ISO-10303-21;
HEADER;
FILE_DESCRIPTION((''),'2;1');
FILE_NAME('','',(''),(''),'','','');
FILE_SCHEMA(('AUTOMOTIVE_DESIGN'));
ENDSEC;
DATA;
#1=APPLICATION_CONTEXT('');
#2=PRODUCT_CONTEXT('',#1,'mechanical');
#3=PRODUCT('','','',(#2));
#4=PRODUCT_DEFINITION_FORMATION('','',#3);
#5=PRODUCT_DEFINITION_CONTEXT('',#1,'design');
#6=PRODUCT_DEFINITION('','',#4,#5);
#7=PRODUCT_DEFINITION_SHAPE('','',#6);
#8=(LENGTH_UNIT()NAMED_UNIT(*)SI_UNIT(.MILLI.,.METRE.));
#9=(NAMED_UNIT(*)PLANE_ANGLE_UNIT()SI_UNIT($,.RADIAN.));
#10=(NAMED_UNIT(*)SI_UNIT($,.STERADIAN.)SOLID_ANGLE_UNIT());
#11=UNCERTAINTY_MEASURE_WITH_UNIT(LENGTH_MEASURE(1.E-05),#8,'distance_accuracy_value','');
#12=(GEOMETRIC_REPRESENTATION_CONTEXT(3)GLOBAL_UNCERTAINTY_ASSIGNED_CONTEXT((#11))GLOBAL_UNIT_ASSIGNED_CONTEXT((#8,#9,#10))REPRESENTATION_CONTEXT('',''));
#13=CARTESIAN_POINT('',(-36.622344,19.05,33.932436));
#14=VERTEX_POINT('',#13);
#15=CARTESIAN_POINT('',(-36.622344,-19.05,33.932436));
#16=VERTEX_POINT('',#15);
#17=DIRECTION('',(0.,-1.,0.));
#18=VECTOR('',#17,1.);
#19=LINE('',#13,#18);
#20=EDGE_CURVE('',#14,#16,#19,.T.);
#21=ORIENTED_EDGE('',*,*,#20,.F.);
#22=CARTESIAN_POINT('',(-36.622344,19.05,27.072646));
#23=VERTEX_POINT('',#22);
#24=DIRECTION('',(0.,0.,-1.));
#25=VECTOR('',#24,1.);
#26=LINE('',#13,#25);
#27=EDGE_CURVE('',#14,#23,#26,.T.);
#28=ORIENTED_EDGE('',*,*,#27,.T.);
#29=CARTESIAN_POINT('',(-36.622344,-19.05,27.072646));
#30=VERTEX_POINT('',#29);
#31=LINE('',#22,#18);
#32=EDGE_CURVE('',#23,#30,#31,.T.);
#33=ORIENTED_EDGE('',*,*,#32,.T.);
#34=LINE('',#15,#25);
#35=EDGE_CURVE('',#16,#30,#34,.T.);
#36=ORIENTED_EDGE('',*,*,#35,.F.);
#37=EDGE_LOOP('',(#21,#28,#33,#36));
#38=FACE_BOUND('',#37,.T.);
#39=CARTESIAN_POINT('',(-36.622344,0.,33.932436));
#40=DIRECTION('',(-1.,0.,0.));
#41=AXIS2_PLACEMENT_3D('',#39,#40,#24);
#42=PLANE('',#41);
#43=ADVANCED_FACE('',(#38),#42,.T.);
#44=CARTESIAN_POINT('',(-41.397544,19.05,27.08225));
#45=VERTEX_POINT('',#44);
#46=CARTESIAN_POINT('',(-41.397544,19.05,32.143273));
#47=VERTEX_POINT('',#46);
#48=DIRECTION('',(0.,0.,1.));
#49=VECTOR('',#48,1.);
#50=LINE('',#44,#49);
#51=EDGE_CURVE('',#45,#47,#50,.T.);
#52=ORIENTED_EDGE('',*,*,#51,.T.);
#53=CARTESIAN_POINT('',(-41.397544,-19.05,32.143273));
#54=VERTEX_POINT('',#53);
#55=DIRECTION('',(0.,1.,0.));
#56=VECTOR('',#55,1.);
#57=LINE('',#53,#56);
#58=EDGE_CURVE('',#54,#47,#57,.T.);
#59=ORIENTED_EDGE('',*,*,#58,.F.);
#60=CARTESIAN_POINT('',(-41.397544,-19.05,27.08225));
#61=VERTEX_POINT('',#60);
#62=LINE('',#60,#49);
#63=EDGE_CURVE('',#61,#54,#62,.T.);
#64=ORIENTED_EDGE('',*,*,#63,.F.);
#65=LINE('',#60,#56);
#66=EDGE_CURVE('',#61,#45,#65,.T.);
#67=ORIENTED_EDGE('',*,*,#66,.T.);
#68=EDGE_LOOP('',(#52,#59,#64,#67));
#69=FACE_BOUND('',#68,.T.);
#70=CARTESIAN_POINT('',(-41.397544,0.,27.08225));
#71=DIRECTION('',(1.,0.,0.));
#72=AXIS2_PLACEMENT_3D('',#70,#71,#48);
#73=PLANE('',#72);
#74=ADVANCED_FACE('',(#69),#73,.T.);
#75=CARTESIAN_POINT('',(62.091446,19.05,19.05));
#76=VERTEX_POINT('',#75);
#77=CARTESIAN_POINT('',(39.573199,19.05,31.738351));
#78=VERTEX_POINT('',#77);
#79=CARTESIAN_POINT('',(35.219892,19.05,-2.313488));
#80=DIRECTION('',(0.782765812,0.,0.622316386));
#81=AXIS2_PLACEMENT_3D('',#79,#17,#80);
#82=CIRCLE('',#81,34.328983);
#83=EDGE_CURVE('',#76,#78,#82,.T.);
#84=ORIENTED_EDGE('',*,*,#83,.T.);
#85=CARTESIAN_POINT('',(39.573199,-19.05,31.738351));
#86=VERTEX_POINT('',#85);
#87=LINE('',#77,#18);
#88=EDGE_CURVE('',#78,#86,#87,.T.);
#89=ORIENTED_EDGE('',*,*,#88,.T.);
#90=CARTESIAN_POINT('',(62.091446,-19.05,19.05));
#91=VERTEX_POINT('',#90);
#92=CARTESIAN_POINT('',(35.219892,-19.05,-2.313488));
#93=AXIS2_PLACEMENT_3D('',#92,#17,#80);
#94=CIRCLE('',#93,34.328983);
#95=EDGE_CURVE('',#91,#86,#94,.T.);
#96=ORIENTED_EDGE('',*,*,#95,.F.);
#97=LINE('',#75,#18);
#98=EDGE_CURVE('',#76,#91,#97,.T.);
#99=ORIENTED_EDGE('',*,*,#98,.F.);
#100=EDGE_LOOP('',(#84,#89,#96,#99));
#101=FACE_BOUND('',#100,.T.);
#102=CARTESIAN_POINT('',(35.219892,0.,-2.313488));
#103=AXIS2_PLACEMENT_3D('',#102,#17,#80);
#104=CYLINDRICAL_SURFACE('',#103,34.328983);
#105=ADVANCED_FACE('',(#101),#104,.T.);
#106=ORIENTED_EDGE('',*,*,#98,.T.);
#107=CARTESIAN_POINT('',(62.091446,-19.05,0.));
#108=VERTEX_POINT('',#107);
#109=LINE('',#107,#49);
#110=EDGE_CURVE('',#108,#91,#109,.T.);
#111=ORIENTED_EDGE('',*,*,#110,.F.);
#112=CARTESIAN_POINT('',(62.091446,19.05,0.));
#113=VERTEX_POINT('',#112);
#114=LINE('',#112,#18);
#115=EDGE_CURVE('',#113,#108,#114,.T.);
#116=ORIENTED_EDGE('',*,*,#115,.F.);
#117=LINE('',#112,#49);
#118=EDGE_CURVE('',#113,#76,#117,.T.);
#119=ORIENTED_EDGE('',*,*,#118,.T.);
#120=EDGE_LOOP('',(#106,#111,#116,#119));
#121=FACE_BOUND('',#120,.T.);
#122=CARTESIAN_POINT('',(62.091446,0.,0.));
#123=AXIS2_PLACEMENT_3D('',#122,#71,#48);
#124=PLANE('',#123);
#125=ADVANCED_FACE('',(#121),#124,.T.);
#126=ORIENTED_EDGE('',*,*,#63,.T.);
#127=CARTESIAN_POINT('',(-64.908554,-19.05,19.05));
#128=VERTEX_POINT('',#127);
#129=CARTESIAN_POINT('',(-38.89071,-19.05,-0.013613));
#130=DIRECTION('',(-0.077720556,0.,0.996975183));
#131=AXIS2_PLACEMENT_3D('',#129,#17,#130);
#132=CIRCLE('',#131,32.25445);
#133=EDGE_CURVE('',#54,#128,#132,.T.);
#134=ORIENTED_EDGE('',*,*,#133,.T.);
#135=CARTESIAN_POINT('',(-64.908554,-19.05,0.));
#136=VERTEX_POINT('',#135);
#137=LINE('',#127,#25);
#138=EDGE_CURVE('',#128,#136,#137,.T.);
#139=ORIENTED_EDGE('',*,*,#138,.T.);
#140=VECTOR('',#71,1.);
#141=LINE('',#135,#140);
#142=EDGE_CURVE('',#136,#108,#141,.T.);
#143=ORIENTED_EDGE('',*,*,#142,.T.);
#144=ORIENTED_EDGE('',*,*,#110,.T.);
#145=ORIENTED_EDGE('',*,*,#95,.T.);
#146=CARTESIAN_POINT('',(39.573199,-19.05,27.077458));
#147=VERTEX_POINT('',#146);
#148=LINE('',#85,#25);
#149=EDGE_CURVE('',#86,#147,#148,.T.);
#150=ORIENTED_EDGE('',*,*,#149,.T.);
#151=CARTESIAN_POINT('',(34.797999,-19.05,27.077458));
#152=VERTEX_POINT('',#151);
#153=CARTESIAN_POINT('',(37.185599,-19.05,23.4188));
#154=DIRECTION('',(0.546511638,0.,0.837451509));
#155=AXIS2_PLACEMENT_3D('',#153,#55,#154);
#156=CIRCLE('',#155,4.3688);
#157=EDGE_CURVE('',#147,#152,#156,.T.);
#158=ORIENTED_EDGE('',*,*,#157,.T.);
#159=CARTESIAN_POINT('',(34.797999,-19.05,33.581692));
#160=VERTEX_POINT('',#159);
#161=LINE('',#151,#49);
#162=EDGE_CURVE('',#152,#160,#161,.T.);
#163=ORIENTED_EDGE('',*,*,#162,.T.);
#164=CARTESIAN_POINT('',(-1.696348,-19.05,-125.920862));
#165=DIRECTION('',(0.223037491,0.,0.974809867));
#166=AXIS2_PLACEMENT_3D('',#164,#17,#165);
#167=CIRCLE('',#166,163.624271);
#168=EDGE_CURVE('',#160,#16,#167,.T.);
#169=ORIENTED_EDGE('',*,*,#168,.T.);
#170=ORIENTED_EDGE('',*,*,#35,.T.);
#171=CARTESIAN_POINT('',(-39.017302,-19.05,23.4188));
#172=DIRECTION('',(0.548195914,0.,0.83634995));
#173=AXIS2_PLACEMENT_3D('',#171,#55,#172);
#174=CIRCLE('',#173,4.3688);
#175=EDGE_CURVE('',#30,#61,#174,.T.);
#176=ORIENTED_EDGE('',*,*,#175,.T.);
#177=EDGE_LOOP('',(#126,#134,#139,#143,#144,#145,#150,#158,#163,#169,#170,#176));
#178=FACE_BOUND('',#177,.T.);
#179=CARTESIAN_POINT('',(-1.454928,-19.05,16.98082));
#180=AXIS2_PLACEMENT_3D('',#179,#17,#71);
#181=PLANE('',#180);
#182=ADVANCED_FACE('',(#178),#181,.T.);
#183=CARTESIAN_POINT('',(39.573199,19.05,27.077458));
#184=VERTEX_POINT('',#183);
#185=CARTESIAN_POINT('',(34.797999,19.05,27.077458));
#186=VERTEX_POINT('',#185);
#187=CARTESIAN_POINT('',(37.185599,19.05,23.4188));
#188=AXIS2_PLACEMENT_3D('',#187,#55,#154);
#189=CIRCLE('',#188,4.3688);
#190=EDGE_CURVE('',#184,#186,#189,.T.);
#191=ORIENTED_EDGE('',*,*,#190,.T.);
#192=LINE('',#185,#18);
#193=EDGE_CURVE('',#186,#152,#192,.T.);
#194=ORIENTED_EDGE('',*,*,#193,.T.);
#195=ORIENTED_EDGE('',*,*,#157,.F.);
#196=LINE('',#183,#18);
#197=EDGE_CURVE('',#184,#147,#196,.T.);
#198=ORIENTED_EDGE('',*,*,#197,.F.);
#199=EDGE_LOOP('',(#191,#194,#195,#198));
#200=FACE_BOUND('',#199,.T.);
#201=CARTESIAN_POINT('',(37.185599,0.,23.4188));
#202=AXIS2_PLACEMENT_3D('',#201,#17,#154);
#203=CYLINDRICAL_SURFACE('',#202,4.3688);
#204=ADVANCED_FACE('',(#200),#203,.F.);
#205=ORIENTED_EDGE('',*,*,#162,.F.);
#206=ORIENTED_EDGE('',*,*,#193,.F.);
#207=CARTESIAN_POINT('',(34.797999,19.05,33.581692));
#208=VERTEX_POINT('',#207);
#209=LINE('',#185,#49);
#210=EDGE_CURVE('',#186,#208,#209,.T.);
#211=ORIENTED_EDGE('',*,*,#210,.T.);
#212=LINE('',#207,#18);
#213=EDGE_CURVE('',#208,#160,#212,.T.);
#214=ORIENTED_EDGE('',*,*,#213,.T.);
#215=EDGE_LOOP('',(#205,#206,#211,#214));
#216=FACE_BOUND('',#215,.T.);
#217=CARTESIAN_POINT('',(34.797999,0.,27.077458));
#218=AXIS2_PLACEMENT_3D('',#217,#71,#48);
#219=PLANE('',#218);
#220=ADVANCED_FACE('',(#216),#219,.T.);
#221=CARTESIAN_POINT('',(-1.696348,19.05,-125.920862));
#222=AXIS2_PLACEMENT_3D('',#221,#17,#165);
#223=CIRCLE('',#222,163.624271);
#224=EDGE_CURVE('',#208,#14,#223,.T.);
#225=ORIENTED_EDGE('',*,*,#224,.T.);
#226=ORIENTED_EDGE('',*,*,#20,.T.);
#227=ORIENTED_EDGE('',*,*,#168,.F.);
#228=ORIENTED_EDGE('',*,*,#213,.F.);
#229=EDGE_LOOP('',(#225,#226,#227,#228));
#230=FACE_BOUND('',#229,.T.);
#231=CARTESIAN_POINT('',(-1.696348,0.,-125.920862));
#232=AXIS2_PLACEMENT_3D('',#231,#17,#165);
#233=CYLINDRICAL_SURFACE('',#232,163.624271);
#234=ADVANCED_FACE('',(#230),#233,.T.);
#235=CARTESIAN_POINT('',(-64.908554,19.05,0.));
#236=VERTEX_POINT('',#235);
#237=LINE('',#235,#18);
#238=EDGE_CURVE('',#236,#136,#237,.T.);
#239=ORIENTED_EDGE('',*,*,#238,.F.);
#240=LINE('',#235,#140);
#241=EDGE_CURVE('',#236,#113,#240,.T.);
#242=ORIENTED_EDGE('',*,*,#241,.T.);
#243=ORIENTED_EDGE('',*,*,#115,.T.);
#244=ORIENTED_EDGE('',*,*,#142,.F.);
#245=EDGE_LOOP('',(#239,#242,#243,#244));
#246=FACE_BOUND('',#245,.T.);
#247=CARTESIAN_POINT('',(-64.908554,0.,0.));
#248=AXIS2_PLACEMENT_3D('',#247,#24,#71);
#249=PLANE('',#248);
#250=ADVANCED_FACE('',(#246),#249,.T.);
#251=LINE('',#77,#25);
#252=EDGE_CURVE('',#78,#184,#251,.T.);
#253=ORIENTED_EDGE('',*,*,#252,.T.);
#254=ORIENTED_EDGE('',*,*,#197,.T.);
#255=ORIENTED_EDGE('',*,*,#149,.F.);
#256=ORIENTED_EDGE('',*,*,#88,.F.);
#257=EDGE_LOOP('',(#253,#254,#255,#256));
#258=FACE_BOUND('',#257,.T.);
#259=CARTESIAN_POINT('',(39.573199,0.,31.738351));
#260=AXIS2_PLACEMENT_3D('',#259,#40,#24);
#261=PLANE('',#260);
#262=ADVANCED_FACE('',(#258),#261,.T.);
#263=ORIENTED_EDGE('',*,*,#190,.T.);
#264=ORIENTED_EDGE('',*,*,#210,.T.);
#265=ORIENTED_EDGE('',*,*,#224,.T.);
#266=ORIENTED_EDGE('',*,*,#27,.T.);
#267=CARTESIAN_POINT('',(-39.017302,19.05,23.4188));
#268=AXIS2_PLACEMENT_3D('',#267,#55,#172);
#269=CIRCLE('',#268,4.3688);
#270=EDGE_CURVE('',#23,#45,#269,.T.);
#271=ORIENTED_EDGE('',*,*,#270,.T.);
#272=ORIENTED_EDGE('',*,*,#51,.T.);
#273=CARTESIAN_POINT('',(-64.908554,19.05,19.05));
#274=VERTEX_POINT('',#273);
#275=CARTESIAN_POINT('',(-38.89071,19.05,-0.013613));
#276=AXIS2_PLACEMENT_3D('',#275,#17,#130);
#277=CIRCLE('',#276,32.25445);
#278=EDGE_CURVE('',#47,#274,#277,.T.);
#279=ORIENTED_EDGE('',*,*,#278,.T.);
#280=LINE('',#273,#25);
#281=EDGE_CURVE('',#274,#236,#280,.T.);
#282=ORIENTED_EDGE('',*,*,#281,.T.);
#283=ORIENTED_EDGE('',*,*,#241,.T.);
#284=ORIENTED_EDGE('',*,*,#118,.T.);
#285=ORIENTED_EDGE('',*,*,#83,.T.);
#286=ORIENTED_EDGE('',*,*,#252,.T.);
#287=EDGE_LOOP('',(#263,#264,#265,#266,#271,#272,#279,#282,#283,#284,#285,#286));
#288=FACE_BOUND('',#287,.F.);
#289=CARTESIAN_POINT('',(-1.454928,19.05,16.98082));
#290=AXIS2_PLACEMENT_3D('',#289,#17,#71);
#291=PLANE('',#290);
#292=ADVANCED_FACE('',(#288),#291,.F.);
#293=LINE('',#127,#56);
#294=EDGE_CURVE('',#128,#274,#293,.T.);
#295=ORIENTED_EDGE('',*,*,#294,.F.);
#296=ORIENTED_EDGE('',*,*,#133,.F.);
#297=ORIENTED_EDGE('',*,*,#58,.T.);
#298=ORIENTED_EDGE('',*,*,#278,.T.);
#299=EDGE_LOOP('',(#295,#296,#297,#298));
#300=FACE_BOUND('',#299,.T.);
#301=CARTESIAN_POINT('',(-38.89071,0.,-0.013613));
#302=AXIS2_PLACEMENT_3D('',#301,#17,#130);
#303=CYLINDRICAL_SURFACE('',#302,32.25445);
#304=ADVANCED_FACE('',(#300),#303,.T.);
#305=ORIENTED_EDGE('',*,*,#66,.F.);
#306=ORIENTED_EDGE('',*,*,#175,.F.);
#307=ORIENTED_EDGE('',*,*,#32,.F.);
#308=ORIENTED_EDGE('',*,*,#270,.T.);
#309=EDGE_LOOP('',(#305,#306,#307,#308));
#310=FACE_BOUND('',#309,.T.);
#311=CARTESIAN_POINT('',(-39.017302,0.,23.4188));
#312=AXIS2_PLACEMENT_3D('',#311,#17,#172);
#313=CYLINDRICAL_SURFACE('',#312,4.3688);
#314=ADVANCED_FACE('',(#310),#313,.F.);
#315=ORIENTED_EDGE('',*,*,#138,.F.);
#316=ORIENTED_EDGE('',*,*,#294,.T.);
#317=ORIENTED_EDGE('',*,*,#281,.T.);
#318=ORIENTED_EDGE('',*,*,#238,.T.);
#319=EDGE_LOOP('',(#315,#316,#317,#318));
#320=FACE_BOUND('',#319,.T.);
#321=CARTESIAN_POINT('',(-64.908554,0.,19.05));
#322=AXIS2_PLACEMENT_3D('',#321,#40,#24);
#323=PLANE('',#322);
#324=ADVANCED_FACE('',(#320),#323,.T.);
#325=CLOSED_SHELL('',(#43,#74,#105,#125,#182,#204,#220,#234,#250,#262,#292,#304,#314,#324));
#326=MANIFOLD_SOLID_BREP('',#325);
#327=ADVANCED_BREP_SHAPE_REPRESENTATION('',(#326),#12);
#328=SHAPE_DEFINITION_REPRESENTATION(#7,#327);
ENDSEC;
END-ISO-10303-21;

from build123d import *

# Parameters (mm, degrees)
F1_DEPTH = 19.05


with BuildPart() as f1:
    # F0 (on Front) → F1 (new body, symmetric)
    with BuildSketch(Plane.XZ):
        with BuildLine():
            Line((-64.908554, 19.05), (-64.908554, 0))
            Line((-64.908554, 0), (62.091446, 0))
            Line((62.091446, 0), (62.091446, 19.05))
            ThreePointArc((62.091446, 19.05), (52.072089, 27.594412), (39.573199, 31.738351))
            Line((39.573199, 31.738351), (39.573199, 27.077458))
            ThreePointArc((39.573199, 27.077458), (37.185599, 19.05), (34.797999, 27.077458))
            Line((34.797999, 27.077458), (34.797999, 33.581692))
            ThreePointArc((34.797999, 33.581692), (-0.892802, 37.701436), (-36.622344, 33.932436))
            Line((-36.622344, 33.932436), (-36.622344, 27.072646))
            ThreePointArc((-36.622344, 27.072646), (-39.026089, 19.050009), (-41.397544, 27.08225))
            Line((-41.397544, 27.08225), (-41.397544, 32.143273))
            ThreePointArc((-41.397544, 32.143273), (-54.58379, 28.165755), (-64.908554, 19.05))
        make_face()
    extrude(amount=F1_DEPTH, both=True)


solid = f1.part
